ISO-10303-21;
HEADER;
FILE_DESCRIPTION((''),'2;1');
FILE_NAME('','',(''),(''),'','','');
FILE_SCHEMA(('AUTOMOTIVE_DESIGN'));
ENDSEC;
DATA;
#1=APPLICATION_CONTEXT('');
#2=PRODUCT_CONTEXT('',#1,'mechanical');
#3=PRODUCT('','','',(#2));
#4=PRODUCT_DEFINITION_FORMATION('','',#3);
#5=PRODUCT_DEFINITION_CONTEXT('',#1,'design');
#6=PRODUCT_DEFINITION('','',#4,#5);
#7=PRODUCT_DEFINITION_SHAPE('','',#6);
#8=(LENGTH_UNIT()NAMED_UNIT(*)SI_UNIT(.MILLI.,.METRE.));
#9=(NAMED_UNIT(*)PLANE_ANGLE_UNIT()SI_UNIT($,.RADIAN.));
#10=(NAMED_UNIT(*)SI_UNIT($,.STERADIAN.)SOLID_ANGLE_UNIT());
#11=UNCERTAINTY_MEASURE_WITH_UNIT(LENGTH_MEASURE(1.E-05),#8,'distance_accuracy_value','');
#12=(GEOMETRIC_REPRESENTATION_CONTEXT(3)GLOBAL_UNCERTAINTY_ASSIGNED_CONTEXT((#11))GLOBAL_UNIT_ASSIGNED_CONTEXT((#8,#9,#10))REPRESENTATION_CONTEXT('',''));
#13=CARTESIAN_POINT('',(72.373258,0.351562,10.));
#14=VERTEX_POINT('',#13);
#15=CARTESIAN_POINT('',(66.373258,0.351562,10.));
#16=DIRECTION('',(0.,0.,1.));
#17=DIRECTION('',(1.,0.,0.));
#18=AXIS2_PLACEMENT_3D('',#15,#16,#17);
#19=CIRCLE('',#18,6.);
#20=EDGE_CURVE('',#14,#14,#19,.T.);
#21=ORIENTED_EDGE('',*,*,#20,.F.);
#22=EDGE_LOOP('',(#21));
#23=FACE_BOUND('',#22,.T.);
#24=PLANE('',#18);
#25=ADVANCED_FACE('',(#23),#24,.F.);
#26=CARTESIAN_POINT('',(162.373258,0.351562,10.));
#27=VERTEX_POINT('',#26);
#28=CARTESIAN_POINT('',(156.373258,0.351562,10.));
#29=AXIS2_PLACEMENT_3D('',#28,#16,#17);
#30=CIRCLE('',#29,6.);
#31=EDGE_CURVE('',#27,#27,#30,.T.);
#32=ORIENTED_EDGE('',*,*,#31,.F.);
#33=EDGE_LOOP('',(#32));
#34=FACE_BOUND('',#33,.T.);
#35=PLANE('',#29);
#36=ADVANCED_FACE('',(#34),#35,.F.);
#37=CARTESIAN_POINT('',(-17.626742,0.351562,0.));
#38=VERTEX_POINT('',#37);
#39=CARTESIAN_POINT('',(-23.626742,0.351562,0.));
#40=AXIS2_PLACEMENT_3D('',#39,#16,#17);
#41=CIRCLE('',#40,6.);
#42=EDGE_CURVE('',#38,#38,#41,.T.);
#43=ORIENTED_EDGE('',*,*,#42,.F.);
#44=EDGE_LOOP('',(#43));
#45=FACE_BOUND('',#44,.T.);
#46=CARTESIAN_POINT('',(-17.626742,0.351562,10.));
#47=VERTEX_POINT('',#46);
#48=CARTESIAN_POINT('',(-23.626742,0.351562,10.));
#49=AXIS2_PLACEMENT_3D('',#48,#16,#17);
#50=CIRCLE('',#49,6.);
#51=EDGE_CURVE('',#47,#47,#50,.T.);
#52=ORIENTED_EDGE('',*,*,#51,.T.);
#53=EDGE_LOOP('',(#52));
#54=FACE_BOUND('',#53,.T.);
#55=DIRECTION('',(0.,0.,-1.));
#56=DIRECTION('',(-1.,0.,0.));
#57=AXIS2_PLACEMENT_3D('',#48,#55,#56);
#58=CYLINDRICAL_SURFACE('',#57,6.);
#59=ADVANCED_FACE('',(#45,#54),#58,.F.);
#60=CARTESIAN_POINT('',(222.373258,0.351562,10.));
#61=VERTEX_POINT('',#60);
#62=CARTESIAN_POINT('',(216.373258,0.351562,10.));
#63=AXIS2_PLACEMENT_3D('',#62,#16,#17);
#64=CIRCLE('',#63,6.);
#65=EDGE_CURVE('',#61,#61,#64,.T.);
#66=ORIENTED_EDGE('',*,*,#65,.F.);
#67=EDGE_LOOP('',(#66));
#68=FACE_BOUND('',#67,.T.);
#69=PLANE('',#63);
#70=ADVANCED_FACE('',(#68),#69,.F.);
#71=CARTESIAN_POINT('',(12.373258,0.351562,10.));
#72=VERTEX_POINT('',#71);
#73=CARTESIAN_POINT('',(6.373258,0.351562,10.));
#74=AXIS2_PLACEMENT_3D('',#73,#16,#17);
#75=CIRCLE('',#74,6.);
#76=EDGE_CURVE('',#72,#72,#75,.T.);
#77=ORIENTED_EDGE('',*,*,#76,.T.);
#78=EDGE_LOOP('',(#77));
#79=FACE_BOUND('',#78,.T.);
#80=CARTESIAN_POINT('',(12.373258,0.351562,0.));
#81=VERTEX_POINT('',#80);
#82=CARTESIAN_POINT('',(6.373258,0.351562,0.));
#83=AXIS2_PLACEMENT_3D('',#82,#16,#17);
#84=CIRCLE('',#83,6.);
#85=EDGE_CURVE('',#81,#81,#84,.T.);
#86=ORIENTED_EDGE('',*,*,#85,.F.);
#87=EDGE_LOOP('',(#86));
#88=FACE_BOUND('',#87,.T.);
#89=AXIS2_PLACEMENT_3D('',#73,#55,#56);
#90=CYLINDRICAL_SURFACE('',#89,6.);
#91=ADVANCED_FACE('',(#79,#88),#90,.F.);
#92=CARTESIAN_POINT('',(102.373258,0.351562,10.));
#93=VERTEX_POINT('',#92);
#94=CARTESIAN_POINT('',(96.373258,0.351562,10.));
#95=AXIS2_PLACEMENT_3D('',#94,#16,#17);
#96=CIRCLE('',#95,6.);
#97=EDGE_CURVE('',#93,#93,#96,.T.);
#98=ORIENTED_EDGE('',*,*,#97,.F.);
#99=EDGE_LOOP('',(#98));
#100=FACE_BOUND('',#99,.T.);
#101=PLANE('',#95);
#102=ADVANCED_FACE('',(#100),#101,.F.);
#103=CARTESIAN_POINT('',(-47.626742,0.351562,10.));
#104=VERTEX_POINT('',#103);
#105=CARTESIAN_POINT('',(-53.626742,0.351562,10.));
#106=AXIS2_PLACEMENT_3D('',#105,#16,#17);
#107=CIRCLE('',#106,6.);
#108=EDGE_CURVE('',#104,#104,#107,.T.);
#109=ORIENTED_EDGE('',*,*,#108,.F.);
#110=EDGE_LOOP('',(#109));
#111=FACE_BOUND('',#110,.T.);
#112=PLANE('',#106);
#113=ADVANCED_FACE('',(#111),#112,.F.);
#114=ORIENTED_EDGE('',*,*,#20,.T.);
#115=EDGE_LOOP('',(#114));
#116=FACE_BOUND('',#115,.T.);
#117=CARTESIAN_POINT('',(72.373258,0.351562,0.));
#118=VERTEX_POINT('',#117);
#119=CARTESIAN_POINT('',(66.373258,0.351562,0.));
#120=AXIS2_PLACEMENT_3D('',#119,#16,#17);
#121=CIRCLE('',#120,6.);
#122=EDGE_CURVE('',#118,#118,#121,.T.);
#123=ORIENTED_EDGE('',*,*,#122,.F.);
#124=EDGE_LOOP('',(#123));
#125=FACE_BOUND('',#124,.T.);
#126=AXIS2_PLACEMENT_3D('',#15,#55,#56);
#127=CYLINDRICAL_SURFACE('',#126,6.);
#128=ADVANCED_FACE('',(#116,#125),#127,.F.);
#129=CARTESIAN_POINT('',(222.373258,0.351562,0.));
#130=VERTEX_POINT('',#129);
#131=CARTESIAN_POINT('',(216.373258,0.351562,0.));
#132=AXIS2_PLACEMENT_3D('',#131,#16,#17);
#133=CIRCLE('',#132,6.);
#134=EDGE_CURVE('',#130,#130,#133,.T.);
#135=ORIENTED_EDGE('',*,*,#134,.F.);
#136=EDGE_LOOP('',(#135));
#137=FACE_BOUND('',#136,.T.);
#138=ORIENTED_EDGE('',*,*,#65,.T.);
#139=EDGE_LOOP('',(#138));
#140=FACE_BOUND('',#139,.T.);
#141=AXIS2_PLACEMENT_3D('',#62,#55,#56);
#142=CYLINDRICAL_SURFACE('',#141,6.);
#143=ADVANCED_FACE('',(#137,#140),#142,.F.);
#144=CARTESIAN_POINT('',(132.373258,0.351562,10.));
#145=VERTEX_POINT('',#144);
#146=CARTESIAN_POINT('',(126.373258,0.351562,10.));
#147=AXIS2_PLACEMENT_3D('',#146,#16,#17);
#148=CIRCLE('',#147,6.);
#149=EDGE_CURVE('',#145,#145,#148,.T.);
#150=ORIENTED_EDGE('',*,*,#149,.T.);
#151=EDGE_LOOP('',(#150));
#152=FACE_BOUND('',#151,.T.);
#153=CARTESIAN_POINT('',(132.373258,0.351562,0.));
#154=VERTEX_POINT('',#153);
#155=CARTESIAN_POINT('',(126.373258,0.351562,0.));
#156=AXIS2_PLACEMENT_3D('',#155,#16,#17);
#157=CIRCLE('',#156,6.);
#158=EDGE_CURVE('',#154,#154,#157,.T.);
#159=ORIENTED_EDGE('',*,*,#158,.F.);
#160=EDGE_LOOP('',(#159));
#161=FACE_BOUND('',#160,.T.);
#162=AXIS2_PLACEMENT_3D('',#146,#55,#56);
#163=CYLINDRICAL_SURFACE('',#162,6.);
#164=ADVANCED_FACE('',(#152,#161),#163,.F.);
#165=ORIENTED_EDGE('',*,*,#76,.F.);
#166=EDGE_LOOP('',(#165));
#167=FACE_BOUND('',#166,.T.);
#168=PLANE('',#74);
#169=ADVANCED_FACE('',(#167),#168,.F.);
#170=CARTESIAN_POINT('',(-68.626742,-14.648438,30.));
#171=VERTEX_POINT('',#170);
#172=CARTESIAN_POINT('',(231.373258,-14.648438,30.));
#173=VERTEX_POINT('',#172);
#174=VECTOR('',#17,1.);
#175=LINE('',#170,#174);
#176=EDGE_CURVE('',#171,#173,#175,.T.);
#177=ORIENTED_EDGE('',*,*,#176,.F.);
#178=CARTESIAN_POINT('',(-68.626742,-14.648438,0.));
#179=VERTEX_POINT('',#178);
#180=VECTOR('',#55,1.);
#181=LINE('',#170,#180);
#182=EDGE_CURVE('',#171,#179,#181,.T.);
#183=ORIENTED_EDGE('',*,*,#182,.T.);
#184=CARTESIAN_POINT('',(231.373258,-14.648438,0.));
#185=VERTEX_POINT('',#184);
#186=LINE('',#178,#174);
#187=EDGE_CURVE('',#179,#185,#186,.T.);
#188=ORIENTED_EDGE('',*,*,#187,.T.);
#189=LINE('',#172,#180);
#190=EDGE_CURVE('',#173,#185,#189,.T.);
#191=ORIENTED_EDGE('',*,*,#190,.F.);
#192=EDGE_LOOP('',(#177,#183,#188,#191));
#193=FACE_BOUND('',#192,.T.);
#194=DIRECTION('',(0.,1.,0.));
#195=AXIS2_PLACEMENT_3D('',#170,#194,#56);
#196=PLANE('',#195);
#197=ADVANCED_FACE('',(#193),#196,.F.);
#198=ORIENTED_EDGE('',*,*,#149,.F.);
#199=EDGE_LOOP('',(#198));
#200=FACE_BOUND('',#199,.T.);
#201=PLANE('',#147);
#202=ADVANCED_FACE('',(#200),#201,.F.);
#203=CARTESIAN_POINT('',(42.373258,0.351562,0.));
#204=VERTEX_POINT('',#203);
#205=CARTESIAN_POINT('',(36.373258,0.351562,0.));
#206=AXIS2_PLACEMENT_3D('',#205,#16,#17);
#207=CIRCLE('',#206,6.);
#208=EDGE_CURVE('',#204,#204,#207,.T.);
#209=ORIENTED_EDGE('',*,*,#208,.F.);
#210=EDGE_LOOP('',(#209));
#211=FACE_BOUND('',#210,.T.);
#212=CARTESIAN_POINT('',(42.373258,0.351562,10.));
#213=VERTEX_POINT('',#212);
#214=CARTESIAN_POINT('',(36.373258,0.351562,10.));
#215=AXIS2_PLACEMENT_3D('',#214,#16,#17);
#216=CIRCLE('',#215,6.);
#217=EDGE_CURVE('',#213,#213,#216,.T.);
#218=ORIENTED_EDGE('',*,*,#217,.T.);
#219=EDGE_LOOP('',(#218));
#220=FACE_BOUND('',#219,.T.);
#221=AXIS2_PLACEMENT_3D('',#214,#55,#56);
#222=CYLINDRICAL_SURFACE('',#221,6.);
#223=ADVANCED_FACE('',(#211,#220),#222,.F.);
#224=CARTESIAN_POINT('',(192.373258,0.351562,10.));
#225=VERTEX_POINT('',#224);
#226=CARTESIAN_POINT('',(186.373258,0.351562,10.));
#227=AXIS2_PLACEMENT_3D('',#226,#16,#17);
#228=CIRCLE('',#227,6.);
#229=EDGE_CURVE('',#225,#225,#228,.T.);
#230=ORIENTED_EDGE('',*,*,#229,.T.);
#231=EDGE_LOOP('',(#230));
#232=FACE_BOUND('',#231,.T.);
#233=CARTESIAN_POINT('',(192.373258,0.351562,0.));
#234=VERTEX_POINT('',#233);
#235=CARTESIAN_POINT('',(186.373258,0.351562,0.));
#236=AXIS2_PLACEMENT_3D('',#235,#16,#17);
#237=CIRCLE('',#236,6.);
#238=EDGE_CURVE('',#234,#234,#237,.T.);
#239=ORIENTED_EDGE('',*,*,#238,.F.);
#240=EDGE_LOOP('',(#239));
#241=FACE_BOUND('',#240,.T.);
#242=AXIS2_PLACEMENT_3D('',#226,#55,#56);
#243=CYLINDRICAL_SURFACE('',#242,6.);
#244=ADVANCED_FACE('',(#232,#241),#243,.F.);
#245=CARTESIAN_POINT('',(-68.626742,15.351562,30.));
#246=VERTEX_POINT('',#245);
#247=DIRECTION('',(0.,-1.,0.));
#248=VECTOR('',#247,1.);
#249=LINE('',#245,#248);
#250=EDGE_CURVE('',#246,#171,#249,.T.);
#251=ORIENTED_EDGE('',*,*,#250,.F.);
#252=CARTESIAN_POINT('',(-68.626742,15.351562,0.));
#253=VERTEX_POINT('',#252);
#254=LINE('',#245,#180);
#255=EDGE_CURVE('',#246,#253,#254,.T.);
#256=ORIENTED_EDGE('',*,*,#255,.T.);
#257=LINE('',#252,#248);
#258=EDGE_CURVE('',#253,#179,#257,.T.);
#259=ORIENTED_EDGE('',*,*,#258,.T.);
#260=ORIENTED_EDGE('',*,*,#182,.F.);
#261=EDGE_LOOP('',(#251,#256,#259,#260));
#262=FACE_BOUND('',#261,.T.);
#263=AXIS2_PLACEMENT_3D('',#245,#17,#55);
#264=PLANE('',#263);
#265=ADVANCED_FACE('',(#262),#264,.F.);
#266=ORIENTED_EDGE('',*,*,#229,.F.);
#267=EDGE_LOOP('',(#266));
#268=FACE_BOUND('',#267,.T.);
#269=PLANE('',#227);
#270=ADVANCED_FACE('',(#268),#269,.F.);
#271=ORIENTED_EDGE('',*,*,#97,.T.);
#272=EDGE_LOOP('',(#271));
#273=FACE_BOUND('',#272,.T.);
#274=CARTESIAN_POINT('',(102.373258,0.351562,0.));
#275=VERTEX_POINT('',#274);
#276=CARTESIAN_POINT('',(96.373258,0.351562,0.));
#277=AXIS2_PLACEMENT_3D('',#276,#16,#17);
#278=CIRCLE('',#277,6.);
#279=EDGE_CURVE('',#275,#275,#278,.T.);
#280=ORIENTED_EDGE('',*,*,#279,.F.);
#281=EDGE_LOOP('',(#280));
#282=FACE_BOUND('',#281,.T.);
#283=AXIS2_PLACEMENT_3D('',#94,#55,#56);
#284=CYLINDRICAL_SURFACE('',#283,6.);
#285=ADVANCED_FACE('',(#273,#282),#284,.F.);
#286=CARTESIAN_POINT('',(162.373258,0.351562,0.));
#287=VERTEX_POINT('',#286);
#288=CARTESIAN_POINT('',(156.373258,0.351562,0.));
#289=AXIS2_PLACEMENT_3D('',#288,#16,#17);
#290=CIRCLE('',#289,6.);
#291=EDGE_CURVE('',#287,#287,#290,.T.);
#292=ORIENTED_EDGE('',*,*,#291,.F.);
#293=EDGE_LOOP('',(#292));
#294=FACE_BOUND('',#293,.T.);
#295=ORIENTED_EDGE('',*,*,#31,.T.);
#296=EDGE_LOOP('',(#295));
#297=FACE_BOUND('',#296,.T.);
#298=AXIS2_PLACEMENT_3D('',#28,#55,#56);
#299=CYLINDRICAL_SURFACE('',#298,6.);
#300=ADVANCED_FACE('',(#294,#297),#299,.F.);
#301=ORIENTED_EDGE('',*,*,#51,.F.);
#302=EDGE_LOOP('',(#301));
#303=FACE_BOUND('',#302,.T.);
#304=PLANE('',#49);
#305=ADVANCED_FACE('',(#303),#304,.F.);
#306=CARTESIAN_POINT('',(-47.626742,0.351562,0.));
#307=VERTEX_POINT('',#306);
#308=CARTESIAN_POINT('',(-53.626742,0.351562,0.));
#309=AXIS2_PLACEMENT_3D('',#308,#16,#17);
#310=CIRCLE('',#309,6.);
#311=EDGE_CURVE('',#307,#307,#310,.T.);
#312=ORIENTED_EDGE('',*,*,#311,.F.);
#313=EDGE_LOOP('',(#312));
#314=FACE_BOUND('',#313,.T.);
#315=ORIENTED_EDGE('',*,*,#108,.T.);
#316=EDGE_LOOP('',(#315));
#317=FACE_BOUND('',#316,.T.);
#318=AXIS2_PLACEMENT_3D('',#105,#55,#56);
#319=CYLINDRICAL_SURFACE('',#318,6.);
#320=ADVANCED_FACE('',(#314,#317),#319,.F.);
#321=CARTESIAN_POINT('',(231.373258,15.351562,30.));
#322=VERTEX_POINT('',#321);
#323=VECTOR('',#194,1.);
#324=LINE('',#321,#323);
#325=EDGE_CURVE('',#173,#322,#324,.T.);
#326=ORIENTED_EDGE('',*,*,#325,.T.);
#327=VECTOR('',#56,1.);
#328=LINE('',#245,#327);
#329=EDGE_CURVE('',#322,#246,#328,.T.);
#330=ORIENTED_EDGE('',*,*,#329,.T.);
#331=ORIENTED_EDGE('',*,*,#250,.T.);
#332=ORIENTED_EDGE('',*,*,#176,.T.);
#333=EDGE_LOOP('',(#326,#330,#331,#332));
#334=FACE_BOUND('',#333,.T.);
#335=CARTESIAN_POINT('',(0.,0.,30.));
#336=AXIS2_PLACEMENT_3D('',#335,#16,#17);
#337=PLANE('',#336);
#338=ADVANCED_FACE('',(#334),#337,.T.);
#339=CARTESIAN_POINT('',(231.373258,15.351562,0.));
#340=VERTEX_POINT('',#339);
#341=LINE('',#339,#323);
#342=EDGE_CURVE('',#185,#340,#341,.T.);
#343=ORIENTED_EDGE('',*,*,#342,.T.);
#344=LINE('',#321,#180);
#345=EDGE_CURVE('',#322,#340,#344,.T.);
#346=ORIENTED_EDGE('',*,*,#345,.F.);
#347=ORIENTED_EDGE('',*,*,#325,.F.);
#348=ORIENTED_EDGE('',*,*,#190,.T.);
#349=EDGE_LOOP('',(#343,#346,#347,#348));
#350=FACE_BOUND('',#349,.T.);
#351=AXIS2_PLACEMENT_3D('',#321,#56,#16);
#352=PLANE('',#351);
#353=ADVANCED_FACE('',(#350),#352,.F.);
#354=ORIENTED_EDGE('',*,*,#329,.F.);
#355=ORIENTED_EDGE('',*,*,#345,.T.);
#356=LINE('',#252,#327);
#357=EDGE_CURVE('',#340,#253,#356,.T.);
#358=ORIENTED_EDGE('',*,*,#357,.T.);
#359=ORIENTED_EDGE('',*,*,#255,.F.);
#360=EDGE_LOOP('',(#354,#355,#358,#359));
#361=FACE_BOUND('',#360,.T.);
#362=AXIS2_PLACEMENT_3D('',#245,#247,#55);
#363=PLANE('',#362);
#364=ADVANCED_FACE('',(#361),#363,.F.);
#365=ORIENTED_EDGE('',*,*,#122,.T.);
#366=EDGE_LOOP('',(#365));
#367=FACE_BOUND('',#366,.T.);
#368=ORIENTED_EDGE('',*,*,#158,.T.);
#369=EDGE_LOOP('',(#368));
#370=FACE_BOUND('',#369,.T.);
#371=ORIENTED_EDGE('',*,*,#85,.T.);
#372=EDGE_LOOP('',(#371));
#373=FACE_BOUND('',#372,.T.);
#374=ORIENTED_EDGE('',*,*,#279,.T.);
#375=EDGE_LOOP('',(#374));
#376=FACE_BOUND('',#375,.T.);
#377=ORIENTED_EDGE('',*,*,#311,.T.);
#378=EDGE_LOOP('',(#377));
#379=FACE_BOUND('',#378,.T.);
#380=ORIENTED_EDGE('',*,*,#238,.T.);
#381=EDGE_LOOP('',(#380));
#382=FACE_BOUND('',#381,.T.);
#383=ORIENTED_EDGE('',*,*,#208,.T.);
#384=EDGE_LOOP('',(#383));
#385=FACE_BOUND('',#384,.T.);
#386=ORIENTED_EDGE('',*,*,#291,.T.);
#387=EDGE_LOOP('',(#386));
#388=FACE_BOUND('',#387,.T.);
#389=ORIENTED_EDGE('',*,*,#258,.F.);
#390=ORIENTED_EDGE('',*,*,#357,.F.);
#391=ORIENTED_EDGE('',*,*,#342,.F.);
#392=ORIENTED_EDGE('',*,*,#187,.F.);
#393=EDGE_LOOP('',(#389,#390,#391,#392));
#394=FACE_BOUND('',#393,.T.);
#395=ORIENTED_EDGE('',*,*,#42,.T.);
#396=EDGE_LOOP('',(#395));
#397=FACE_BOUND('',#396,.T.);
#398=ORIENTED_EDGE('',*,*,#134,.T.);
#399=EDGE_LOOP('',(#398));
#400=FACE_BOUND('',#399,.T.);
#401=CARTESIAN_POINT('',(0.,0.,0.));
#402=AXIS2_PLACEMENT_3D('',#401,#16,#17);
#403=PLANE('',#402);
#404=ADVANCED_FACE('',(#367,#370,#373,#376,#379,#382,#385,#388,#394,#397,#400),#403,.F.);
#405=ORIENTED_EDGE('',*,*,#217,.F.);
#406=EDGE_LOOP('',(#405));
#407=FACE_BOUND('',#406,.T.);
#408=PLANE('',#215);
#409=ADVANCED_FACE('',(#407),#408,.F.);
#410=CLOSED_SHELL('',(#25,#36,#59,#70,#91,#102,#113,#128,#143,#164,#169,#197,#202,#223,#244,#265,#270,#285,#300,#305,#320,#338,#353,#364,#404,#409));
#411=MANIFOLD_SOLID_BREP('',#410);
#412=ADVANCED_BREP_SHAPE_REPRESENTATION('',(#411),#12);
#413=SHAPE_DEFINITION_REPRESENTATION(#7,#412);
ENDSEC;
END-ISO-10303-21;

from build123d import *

# Parameters (mm, degrees)
ESQUISSE1_W             = 300
ESQUISSE1_H             = 30
BOSS_EXTRU_4_DEPTH      = 30
ESQUISSE3_R             = 6
ENL_V_MAT_EXTRU_1_DEPTH = 10


with BuildPart() as part:
    # Esquisse1 → Boss.-Extru.4 (new body)
    with BuildSketch(Plane.XY):
        with Locations((81.373258024, 0.3515625)):
            Rectangle(ESQUISSE1_W, ESQUISSE1_H)
    extrude(amount=BOSS_EXTRU_4_DEPTH)

    # Esquisse3 → Enlèv. mat.-Extru.1 (cut)
    with BuildSketch(Plane.XY):
        with Locations((-53.626741976, 0.3515625)):
            Circle(ESQUISSE3_R)
        with Locations((-23.626741976, 0.3515625)):
            Circle(ESQUISSE3_R)
        with Locations((6.373258024, 0.3515625)):
            Circle(ESQUISSE3_R)
        with Locations((36.373258024, 0.3515625)):
            Circle(ESQUISSE3_R)
        with Locations((66.373258024, 0.3515625)):
            Circle(ESQUISSE3_R)
        with Locations((96.373258024, 0.3515625)):
            Circle(ESQUISSE3_R)
        with Locations((126.373258024, 0.3515625)):
            Circle(ESQUISSE3_R)
        with Locations((156.373258024, 0.3515625)):
            Circle(ESQUISSE3_R)
        with Locations((186.373258024, 0.3515625)):
            Circle(ESQUISSE3_R)
        with Locations((216.373258024, 0.3515625)):
            Circle(ESQUISSE3_R)
    extrude(amount=ENL_V_MAT_EXTRU_1_DEPTH, mode=Mode.SUBTRACT)


solid = part.part
